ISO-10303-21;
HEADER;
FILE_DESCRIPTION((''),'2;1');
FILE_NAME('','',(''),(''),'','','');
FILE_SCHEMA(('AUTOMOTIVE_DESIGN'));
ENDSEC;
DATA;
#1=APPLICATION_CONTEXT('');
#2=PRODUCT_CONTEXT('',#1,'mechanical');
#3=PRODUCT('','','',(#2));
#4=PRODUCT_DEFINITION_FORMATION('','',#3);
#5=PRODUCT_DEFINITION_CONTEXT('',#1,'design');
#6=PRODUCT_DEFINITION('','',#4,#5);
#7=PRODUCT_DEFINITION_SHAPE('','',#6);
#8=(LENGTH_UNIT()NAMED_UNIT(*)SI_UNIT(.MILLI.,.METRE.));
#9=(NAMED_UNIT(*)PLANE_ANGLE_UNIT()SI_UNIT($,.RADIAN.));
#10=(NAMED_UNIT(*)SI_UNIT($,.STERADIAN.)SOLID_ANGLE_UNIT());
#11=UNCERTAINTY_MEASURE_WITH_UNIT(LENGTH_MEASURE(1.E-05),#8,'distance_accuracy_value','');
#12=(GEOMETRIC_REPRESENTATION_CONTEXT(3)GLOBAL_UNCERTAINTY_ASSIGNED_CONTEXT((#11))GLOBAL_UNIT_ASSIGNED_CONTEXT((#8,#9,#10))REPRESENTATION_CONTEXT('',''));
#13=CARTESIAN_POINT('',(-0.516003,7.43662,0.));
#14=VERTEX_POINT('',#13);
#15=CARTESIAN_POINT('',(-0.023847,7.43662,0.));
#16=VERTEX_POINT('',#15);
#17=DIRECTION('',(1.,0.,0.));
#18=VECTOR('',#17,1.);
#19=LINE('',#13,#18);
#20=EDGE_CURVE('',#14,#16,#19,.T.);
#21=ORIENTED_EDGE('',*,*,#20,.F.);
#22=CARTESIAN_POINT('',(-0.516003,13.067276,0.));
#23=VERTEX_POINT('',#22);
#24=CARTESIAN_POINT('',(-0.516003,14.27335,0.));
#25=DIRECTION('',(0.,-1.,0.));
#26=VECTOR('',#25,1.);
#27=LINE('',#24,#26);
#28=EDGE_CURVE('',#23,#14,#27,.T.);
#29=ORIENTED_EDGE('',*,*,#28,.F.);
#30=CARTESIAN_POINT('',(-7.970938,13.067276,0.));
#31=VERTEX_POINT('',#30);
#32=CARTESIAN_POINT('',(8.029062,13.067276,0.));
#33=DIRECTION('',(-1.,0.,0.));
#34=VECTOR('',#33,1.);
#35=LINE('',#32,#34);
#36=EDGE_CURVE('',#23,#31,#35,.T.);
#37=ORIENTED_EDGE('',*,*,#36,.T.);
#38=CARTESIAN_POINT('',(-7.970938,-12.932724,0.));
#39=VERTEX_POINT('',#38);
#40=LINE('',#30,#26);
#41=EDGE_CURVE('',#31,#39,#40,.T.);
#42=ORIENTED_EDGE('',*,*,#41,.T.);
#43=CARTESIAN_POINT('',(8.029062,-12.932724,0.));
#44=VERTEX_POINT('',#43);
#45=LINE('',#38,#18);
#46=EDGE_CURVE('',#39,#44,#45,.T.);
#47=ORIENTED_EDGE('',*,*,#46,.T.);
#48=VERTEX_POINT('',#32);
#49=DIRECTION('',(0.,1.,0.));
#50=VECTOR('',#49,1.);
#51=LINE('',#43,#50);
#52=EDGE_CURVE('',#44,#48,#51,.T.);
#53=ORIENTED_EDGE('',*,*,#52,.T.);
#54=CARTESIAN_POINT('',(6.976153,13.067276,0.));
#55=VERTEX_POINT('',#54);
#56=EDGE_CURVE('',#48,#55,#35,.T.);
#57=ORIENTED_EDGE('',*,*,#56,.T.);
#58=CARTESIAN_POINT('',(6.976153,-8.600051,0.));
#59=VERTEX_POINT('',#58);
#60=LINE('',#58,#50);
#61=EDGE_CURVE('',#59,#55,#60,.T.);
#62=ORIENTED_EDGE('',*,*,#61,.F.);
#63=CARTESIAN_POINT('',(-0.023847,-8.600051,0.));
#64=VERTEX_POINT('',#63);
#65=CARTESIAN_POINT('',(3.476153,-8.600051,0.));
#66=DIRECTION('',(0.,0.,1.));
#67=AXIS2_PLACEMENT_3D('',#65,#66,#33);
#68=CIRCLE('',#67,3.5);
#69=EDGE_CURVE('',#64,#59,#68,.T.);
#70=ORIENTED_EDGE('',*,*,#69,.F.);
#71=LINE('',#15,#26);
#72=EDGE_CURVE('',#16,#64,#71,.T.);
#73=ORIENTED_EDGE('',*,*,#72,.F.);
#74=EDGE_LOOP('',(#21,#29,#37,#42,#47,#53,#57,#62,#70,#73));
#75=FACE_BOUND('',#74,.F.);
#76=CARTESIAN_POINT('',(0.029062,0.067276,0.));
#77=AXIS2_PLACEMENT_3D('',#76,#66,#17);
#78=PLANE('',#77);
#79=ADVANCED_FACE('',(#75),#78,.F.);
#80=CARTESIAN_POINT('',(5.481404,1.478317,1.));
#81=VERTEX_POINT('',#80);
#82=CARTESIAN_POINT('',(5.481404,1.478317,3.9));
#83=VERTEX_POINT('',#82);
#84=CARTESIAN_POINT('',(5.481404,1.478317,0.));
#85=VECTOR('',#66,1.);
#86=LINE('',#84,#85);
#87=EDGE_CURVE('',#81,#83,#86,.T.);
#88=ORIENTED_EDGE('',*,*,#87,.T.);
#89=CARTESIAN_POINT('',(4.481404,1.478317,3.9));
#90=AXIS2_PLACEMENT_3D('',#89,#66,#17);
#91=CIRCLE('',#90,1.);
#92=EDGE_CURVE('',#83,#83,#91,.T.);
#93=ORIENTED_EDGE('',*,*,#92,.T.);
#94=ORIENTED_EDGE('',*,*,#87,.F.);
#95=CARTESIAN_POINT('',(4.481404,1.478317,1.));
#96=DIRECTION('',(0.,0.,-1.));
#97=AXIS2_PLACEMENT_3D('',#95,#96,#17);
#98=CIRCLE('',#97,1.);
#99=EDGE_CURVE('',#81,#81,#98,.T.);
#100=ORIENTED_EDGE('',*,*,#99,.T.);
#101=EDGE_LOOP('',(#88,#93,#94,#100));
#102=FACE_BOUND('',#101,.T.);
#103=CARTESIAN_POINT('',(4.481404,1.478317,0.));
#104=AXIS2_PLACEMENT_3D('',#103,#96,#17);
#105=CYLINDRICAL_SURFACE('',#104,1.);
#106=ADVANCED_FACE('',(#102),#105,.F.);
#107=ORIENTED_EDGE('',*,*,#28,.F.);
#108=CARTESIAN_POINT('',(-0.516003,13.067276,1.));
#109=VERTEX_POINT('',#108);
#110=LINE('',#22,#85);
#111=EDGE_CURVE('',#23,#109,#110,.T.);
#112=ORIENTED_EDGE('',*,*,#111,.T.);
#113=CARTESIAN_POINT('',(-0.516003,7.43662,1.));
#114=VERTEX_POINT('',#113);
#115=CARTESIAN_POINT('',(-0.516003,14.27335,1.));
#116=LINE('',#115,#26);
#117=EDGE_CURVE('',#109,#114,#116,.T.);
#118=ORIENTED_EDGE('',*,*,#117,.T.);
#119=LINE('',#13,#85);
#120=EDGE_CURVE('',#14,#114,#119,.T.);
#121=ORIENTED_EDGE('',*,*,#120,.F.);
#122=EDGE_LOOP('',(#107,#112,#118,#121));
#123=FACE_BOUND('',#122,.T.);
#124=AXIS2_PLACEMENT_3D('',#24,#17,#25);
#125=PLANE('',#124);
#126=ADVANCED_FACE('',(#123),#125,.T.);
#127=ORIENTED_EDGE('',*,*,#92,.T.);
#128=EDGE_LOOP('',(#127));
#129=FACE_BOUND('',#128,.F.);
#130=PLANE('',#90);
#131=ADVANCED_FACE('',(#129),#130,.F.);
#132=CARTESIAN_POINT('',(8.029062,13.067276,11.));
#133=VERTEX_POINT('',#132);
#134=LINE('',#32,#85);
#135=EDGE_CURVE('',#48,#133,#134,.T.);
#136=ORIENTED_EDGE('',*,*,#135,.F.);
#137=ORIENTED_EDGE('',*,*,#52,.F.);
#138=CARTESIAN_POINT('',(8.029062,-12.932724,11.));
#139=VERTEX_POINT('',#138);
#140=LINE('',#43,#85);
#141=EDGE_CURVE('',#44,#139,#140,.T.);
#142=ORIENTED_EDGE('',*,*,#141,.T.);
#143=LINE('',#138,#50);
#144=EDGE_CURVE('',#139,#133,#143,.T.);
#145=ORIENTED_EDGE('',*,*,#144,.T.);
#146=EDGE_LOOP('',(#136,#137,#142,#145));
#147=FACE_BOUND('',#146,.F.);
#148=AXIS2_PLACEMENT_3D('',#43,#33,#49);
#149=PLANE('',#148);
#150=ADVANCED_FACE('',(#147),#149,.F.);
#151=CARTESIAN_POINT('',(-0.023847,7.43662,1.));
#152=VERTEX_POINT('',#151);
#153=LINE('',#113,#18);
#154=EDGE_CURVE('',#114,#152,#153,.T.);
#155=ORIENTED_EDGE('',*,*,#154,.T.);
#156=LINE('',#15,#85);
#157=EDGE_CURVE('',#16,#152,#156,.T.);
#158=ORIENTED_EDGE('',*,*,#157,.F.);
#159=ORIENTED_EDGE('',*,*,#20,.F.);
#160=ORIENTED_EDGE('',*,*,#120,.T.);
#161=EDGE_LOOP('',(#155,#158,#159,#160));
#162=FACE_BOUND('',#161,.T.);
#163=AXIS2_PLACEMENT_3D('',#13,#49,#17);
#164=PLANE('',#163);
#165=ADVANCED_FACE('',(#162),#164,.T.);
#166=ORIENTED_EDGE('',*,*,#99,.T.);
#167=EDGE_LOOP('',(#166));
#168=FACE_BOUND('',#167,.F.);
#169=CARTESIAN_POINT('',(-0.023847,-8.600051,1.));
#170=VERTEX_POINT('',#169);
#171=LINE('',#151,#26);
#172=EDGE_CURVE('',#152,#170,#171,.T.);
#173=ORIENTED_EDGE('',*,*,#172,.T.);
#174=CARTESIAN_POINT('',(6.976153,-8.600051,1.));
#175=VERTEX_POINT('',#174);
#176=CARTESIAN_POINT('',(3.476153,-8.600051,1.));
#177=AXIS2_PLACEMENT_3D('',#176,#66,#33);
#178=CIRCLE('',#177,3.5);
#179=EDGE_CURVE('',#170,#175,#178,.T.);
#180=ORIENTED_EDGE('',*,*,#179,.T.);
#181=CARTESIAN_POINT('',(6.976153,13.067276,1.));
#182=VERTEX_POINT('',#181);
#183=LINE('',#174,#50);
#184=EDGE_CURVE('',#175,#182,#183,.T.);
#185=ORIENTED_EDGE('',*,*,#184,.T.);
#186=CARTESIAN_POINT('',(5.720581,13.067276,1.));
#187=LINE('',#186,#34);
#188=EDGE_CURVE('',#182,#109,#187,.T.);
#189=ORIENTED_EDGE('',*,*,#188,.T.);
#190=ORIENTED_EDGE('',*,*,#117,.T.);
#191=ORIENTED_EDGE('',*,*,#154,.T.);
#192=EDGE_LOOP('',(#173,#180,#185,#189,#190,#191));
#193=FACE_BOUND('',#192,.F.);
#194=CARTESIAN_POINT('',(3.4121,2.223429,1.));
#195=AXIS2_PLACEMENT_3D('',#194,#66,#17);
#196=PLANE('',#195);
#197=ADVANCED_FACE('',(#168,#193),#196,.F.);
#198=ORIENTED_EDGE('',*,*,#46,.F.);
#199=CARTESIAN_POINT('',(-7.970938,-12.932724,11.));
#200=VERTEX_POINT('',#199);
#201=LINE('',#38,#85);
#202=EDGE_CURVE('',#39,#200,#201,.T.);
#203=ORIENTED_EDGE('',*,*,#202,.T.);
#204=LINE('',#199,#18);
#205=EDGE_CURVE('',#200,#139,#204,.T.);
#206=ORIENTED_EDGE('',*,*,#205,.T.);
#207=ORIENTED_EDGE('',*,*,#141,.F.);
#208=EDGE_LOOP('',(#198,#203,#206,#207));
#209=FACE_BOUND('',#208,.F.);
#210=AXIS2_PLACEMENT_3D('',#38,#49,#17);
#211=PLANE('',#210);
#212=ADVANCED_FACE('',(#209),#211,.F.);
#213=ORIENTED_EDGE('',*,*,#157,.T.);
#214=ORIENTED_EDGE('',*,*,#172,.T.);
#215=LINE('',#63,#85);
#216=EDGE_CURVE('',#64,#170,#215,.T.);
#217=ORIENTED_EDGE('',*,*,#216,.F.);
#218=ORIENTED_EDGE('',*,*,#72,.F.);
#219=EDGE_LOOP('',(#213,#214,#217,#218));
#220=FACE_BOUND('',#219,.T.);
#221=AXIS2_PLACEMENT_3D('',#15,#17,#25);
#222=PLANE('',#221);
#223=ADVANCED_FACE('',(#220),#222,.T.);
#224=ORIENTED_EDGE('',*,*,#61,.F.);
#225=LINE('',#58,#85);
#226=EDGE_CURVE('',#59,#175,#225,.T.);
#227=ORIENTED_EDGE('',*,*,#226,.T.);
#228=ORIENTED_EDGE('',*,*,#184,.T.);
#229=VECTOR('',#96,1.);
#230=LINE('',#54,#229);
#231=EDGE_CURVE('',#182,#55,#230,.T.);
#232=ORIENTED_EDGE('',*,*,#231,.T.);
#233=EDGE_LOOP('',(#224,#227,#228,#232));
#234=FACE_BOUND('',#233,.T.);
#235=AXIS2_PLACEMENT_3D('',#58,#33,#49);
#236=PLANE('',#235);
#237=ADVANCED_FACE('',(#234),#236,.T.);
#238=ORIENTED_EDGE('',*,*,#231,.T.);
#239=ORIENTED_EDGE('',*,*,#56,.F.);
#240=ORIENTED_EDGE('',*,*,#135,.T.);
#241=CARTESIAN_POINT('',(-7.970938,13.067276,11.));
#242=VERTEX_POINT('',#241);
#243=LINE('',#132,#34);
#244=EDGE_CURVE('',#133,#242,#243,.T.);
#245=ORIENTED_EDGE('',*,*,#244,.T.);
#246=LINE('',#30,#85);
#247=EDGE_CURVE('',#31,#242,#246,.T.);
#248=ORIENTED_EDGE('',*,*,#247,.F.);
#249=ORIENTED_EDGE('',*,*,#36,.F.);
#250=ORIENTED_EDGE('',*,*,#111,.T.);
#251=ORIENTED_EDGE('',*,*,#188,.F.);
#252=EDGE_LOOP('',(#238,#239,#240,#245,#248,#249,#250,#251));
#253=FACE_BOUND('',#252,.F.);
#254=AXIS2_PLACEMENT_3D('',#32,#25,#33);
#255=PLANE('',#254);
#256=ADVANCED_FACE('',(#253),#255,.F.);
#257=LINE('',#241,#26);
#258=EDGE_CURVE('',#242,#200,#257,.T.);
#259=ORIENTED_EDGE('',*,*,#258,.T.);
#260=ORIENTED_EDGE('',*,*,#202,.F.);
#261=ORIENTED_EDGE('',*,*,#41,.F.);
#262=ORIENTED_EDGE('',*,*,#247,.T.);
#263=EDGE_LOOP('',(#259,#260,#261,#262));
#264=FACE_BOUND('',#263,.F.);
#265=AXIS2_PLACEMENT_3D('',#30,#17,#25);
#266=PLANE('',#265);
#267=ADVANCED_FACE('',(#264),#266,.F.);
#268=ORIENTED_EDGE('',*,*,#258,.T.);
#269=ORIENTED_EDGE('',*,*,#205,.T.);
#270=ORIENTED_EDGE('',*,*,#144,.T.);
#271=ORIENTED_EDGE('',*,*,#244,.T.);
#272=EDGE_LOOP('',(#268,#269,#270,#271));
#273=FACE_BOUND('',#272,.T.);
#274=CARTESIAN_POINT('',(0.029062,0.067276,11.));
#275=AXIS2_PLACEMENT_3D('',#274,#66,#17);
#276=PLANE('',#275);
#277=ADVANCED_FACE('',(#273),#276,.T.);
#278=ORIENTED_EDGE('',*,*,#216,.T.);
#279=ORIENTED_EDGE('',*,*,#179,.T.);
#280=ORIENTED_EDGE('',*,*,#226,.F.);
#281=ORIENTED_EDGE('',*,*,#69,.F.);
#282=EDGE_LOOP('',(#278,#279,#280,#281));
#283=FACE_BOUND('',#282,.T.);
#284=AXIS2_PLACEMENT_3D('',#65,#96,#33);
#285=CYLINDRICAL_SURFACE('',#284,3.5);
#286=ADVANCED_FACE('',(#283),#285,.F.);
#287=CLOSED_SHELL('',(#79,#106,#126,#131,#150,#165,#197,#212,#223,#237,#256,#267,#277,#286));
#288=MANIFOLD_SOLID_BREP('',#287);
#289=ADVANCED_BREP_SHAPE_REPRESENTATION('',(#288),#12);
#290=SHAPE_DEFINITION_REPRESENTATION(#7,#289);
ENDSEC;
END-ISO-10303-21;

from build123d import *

# Parameters (mm, degrees)
F1_DEPTH = 11
F2_R     = 1
F3_DEPTH = 1
F4_DEPTH = 3.9


with BuildPart() as f1:
    # F0 (on Top) → F1 (new body)
    with BuildSketch(Plane.XY):
        Polygon((-7.970938, -12.932724), (8.029062, -12.932724), (8.029062, 13.067276), (4.129676, 13.067276), (0.029062, 13.067276), (-7.970938, 13.067276), align=None)
    extrude(amount=F1_DEPTH)

    # F2 (on Top) → F3 (cut)
    with BuildSketch(Plane.XY):
        with BuildLine():
            Line((-0.023847, 7.43662), (-0.023847, -8.600051))
            ThreePointArc((-0.023847, -8.600051), (3.476153, -12.100051), (6.976153, -8.600051))
            Line((6.976153, -8.600051), (6.976153, 15.099979))
            Line((6.976153, 15.099979), (-0.516003, 14.27335))
            Line((-0.516003, 14.27335), (-0.516003, 7.43662))
            Line((-0.516003, 7.43662), (-0.023847, 7.43662))
        make_face()
        with Locations((4.481404, 1.478317)):
            Circle(F2_R, mode=Mode.SUBTRACT)
        with Locations((4.481404, 1.478317)):
            Circle(F2_R)
    extrude(amount=F3_DEPTH, mode=Mode.SUBTRACT)

    # F2 (on Top) → F4 (cut)
    with BuildSketch(Plane.XY):
        with Locations((4.481404, 1.478317)):
            Circle(F2_R)
    extrude(amount=F4_DEPTH, mode=Mode.SUBTRACT)


solid = f1.part
